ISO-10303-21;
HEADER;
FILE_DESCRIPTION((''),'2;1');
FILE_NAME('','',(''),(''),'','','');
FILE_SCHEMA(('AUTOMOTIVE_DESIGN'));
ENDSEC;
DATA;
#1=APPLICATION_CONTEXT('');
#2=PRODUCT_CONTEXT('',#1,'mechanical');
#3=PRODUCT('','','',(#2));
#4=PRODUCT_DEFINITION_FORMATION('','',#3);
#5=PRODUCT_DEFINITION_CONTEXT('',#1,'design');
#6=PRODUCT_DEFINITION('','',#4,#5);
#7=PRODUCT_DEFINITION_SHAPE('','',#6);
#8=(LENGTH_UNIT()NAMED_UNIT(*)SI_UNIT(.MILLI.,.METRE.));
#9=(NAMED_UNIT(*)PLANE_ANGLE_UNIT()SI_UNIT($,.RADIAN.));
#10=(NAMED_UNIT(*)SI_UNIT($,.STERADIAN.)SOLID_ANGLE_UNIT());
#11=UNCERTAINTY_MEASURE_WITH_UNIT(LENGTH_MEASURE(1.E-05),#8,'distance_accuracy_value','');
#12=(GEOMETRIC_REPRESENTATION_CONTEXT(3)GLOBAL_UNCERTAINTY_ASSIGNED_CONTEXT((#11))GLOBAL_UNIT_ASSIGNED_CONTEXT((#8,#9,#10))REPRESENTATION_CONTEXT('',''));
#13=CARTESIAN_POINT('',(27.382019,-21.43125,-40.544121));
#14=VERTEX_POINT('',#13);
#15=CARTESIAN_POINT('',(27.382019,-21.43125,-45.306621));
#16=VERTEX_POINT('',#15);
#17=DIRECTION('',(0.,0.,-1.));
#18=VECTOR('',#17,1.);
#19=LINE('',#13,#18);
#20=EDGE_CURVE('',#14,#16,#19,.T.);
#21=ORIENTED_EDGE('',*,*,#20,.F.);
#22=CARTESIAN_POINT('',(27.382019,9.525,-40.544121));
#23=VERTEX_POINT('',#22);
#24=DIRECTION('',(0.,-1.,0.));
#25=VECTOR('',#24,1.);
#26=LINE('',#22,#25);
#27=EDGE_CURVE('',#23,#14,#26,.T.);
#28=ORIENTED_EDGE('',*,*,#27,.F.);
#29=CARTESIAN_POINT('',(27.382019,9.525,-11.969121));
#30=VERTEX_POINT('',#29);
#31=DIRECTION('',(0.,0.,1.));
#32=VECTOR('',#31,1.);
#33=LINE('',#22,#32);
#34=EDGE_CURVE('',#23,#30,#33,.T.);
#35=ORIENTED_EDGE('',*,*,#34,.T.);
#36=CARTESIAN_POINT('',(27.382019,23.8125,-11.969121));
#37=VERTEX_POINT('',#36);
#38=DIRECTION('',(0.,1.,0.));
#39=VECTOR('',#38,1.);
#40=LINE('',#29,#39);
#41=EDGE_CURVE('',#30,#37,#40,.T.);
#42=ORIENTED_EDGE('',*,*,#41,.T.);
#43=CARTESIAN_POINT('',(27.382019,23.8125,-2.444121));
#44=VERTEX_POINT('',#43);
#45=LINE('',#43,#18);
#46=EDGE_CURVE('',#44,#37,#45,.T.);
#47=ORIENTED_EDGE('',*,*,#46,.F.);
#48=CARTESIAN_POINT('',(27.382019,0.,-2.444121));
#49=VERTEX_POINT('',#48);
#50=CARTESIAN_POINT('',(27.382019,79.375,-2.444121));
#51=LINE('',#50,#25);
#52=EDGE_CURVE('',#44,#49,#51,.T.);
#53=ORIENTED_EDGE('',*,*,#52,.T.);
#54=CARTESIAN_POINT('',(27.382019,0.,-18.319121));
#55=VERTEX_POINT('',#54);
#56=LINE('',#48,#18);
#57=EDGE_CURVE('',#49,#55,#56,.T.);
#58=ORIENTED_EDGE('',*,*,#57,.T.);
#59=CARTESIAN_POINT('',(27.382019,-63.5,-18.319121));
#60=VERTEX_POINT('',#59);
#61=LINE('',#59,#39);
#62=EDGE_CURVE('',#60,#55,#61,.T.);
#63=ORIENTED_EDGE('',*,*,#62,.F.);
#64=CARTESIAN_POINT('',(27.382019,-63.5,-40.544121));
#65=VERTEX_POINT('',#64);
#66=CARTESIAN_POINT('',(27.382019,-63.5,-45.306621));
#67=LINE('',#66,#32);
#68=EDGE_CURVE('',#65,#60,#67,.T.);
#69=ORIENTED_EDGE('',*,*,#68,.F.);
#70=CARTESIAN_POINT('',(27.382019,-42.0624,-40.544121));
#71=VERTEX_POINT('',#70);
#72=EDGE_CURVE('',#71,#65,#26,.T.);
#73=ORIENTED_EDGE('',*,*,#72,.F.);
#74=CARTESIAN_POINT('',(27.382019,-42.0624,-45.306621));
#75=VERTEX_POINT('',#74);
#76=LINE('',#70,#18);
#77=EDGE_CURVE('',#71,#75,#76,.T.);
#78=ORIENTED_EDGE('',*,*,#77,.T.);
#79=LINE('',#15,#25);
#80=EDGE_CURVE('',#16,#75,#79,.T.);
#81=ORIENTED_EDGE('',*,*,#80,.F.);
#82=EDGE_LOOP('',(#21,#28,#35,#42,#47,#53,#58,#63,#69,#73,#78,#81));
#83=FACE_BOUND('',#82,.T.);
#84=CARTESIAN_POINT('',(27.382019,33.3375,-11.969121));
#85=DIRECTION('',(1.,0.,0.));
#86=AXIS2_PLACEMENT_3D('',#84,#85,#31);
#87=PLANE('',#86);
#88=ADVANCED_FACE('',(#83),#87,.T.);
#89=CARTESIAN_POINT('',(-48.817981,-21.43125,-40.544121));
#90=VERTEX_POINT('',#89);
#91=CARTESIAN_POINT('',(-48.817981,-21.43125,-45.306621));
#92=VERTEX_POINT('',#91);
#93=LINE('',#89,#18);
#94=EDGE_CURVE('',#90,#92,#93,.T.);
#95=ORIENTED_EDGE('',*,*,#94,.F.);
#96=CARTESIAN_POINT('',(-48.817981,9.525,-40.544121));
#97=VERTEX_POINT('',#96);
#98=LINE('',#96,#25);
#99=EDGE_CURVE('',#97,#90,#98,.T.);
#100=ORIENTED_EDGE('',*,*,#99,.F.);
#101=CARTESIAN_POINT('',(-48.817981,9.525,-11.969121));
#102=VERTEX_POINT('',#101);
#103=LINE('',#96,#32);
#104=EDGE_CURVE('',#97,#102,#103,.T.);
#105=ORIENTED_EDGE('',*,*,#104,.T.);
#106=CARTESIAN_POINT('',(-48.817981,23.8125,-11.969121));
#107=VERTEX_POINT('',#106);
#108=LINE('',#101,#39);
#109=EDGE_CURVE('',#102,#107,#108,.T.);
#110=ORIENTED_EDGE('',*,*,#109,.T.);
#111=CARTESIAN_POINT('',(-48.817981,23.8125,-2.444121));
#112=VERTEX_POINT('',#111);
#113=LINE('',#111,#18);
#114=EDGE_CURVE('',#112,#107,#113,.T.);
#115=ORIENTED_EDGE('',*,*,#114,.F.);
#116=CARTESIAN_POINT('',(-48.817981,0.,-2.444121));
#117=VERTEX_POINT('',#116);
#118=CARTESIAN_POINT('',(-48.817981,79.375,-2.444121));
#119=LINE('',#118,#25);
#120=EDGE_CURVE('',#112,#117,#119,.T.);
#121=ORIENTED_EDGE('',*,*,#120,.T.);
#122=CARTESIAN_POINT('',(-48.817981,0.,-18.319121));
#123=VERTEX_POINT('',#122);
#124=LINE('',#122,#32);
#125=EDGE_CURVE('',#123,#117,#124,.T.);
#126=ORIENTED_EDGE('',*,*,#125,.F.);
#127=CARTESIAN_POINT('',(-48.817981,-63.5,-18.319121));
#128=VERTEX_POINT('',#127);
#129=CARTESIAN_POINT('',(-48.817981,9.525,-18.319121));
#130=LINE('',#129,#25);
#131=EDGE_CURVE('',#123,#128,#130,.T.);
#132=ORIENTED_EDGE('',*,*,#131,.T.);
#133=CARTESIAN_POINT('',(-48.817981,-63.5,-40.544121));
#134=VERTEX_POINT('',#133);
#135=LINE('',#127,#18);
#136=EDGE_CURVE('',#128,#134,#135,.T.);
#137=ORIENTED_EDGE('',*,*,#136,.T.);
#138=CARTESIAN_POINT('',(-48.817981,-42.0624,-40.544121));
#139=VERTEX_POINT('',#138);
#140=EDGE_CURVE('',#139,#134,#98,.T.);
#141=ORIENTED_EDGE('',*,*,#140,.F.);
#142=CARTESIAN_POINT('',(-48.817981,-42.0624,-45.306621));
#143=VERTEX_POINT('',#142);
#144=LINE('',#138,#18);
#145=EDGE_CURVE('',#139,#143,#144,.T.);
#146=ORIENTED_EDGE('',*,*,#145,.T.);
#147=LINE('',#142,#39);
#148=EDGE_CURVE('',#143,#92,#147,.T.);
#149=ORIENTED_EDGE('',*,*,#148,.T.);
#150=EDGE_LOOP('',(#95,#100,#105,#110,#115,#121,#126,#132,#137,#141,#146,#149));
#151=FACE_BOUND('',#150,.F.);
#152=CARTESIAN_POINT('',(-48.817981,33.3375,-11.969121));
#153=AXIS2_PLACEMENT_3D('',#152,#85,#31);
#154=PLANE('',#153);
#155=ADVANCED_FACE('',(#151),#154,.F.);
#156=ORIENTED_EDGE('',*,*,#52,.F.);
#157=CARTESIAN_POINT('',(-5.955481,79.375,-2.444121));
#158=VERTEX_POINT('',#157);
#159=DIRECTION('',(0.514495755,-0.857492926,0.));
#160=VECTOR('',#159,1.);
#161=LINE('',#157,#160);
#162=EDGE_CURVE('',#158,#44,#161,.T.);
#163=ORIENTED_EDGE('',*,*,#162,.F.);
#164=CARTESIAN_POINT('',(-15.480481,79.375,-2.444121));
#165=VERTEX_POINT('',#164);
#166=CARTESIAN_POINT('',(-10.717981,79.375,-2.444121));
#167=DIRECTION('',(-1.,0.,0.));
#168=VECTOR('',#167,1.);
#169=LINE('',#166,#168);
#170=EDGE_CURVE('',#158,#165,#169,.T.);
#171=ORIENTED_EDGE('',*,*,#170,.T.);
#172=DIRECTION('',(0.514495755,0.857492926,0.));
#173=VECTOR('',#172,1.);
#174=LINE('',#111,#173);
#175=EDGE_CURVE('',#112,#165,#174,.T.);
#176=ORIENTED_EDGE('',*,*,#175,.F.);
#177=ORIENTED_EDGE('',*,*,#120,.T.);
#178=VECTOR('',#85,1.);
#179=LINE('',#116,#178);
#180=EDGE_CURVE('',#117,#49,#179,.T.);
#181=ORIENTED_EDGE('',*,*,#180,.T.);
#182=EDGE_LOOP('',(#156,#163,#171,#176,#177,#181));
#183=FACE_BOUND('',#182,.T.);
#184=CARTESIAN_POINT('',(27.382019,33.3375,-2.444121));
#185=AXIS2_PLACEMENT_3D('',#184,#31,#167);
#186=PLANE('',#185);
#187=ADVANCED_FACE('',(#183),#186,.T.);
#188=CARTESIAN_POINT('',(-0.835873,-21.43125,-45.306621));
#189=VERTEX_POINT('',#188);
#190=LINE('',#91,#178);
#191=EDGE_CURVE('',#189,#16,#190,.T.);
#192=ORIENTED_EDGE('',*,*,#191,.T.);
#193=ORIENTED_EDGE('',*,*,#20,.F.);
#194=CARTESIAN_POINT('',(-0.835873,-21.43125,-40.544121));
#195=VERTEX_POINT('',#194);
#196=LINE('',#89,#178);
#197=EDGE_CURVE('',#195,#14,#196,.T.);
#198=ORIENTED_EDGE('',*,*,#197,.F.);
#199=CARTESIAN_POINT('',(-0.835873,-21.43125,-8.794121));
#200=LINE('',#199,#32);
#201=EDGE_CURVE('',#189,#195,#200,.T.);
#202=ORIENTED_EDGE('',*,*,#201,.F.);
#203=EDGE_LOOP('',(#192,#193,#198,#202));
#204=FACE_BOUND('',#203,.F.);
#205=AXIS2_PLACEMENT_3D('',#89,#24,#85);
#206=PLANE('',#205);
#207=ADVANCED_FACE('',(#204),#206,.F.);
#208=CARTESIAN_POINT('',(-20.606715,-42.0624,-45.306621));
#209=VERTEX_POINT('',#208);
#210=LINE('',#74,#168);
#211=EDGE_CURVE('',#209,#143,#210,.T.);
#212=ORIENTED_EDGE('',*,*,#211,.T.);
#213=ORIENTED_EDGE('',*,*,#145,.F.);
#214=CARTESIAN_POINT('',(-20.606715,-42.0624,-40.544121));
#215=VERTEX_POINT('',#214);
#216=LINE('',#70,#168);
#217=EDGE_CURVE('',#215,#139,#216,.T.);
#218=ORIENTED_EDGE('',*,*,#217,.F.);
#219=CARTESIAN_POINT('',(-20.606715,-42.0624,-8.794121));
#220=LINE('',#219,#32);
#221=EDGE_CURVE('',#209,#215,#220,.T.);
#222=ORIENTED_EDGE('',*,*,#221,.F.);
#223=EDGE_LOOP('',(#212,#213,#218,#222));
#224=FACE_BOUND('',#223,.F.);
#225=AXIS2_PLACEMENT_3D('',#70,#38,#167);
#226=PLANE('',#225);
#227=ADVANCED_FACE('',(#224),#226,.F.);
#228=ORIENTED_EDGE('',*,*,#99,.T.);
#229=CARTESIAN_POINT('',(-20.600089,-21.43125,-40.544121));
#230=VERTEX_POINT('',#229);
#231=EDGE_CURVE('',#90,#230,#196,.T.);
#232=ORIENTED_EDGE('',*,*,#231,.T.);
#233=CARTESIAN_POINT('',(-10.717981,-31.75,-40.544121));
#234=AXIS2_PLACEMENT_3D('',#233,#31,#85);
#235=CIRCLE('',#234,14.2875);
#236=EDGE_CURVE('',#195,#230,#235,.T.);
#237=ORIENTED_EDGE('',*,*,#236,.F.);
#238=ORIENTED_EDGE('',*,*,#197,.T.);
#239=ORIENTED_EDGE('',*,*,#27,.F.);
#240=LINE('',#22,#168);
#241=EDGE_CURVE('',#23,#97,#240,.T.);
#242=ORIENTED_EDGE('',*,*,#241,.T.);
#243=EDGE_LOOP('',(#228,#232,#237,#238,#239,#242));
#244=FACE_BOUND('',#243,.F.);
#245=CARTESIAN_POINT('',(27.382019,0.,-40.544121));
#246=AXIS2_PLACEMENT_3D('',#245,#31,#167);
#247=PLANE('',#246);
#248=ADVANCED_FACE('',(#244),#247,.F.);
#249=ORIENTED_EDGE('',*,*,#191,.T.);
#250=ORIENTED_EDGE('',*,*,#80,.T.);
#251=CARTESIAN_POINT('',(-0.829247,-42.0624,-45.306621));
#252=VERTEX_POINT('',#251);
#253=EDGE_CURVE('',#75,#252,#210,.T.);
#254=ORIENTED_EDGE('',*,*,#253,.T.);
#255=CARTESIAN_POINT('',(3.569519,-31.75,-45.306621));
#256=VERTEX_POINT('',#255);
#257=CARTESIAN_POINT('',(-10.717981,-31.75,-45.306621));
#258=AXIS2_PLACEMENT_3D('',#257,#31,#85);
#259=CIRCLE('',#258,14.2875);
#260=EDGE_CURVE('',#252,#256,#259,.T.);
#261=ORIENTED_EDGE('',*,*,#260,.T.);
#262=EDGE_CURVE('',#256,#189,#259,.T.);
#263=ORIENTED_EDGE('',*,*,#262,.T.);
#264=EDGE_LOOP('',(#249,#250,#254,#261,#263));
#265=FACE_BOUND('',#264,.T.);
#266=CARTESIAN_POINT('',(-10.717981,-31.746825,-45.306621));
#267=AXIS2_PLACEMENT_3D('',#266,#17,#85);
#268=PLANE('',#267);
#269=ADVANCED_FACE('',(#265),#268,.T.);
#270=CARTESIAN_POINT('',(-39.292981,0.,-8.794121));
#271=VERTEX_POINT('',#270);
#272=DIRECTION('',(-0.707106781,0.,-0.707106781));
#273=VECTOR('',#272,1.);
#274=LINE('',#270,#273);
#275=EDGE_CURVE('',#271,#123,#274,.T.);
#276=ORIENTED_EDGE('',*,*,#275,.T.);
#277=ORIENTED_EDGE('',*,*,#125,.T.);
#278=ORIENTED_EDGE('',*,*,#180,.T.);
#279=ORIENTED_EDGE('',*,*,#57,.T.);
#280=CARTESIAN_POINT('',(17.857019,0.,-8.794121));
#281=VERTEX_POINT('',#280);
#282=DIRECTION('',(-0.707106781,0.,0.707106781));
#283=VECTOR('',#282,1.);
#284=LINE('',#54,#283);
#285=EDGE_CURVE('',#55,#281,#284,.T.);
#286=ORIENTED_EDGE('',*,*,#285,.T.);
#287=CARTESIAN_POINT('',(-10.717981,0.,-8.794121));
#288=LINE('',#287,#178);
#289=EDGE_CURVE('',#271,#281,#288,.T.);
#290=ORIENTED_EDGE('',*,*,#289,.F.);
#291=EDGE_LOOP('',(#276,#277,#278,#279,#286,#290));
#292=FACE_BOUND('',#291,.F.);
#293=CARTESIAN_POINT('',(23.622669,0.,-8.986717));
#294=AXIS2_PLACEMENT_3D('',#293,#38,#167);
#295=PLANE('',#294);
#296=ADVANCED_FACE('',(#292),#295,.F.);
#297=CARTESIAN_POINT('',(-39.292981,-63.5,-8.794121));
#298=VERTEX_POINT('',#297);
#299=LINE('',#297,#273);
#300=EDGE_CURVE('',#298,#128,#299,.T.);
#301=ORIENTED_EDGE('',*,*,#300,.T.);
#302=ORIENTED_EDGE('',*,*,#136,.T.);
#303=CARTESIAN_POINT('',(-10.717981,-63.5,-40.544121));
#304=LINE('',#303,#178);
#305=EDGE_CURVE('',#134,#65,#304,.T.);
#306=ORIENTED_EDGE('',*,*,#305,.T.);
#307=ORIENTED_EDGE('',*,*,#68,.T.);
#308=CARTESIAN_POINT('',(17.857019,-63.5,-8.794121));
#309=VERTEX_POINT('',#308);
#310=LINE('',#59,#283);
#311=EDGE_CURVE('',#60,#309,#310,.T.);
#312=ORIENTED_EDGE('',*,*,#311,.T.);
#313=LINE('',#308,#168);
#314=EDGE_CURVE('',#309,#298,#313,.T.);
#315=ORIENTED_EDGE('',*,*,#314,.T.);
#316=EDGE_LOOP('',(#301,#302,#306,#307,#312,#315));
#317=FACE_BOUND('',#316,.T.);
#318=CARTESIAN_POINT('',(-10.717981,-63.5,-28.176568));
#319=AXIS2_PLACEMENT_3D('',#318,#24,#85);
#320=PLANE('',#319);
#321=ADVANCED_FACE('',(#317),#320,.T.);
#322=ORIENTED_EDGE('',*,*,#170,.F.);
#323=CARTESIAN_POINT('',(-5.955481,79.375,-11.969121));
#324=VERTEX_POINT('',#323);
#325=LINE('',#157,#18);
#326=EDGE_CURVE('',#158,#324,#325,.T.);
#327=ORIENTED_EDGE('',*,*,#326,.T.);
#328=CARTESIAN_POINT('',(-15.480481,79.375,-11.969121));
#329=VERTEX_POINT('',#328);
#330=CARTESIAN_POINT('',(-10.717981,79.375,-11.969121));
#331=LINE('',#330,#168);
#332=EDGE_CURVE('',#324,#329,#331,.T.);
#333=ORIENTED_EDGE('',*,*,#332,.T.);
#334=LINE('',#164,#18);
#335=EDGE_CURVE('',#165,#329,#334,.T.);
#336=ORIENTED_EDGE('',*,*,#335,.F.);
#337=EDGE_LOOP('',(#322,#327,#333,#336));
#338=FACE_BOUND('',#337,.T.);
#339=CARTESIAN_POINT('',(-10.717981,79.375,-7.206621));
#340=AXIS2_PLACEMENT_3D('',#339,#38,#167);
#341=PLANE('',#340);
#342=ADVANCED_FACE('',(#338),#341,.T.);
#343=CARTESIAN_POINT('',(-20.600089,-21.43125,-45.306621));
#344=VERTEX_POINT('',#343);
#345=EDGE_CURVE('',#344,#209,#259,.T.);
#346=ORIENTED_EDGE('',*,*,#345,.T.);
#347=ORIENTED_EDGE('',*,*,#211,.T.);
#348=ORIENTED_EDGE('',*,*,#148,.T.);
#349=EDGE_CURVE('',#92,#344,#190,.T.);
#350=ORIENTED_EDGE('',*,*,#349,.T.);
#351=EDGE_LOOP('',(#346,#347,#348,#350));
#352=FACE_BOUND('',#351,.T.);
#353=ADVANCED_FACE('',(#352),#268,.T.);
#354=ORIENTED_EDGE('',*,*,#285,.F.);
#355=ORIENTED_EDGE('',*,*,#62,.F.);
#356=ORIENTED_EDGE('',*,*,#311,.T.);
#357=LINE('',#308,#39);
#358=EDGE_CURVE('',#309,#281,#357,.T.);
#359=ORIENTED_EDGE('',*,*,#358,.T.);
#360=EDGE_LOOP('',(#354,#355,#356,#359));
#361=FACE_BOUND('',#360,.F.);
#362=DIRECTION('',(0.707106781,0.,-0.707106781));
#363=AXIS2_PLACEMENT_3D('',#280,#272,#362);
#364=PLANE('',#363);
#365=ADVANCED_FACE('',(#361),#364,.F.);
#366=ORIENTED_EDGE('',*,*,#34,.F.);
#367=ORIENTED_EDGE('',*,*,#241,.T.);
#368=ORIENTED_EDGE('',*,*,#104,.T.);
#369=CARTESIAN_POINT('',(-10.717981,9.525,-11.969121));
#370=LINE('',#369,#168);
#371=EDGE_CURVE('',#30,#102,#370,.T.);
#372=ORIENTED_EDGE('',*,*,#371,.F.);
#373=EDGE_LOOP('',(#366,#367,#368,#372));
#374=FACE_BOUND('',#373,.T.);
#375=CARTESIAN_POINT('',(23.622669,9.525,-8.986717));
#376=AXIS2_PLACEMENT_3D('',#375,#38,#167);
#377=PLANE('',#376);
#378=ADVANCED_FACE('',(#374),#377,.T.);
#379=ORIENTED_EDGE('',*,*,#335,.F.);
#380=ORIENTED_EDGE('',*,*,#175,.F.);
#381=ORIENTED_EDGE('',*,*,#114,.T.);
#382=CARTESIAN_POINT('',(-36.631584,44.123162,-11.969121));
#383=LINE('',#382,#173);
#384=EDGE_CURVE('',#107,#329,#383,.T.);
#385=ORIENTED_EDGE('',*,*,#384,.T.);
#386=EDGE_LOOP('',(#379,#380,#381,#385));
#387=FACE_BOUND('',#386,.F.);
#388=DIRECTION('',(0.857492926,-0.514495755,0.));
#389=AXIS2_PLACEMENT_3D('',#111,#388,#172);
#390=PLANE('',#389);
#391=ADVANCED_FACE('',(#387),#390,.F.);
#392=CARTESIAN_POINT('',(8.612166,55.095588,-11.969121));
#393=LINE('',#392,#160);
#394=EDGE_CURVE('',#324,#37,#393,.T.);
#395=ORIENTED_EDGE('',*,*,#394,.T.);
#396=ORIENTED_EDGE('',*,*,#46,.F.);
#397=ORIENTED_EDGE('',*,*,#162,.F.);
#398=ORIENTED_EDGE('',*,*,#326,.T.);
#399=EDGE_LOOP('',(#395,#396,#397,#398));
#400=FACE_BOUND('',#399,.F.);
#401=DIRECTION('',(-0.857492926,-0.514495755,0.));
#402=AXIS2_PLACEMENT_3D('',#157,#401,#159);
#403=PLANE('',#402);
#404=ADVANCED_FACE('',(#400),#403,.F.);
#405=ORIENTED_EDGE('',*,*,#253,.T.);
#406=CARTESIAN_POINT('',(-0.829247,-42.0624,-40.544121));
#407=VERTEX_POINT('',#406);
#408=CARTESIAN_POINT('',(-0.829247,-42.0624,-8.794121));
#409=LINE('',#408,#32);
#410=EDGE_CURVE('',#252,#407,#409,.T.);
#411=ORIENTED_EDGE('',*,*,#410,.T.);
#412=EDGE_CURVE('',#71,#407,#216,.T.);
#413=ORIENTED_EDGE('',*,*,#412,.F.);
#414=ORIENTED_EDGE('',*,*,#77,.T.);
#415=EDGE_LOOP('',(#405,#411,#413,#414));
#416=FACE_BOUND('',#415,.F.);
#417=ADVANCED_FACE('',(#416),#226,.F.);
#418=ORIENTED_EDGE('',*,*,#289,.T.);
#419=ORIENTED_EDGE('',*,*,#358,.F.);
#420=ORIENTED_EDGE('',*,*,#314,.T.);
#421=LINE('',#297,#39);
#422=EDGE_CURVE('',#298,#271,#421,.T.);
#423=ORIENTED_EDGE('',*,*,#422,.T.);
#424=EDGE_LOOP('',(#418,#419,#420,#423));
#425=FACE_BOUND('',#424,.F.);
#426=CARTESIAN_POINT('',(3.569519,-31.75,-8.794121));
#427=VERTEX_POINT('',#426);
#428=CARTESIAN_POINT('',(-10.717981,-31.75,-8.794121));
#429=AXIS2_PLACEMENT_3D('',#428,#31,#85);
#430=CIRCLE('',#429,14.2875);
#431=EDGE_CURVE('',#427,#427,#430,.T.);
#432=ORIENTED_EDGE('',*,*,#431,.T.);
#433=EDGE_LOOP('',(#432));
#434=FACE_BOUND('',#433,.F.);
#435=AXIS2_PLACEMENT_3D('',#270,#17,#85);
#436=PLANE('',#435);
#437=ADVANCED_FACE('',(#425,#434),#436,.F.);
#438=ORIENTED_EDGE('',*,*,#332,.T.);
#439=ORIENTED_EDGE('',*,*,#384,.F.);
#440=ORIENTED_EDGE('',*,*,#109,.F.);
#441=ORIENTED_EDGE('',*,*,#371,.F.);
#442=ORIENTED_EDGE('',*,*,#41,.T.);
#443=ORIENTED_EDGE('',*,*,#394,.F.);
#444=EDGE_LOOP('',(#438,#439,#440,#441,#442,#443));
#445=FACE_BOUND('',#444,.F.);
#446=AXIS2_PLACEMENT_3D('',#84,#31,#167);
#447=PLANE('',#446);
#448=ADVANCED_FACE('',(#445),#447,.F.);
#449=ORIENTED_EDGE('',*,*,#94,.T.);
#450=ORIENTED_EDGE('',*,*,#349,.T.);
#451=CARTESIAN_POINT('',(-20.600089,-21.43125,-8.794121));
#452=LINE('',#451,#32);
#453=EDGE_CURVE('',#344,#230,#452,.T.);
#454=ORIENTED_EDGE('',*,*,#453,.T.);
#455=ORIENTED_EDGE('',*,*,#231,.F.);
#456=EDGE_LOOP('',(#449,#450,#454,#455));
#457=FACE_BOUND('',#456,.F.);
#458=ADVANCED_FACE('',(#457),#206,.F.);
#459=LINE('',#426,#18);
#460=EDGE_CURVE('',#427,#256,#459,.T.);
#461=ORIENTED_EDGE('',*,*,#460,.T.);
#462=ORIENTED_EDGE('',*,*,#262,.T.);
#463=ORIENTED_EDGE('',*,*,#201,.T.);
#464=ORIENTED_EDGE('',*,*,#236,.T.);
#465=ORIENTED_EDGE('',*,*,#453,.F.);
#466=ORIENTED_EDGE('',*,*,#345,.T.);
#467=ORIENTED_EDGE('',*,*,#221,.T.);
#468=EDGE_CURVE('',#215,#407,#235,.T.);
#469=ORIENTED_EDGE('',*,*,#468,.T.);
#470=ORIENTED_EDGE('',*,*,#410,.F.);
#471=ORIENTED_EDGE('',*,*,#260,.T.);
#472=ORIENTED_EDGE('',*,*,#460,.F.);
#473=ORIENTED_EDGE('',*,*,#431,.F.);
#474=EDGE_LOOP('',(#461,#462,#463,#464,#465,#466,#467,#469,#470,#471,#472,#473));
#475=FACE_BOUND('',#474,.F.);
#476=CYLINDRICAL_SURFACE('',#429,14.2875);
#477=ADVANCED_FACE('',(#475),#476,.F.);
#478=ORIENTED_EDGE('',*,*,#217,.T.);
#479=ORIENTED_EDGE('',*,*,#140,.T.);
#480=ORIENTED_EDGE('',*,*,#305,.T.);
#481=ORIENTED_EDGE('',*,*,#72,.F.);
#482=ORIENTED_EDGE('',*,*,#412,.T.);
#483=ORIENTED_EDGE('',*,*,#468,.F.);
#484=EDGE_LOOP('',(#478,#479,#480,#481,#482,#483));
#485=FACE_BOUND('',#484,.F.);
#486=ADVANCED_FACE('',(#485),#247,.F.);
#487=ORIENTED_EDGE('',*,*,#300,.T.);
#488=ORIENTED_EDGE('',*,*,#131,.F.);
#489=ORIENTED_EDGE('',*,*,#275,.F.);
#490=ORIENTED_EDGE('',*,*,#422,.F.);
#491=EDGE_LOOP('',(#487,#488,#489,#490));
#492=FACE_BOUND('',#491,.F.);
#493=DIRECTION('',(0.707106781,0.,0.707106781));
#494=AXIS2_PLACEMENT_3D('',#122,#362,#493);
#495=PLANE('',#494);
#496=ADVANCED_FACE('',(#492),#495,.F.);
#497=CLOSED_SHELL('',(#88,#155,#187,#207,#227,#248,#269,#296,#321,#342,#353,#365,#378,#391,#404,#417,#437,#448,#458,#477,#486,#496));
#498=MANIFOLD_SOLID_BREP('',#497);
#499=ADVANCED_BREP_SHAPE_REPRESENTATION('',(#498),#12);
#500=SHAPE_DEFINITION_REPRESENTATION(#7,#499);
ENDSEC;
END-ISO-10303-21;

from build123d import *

# Parameters (mm, degrees)
F1_DEPTH  = 63.5
F2_W      = 76.2
F2_H      = 4.7625
F3_DEPTH  = 103.378
F5_DEPTH  = 9.525
F6_W      = 57.15
F6_H      = 9.525
F7_DEPTH  = 6.35
F9_DEPTH  = 9.525
F10_W     = 76.2
F10_H     = 9.525
F11_DEPTH = 23.8125
F12_W     = 76.2
F12_H     = 9.525
F13_DEPTH = 46.0375
F15_DEPTH = 25.4
F17_DEPTH = 4.7625
F19_DEPTH = 54.356


with BuildPart() as f1:
    # F0 (on Front) → F1 (new body)
    with BuildSketch(Plane.XZ):
        Polygon((-48.8179810345, -18.3191206306), (-48.8179810345, -45.3066206306), (27.3820189655, -45.3066206306), (27.3820189655, -18.3191206306), (17.8570189655, -8.7941206306), (-39.2929810345, -8.7941206306), align=None)
    extrude(amount=F1_DEPTH)

    # F2 (on face) → F3 (cut)
    with BuildSketch(Plane.XZ.offset(63.5)):
        with Locations((-10.7179810345, -42.9253706306)):
            Rectangle(F2_W, F2_H)
    extrude(amount=-F3_DEPTH, mode=Mode.SUBTRACT)

    # F4 (on face) → F5 (join)
    with BuildSketch(Plane(origin=(0, 0, 0), x_dir=(-1, 0, 0), z_dir=(0, 1, 0))):
        Polygon((48.8179810345, -18.3191206306), (39.2929810345, -8.7941206306), (-17.8570189655, -8.7941206306), (-27.3820189655, -18.3191206306), (-27.3820189655, -40.5441206306), (48.8179810345, -40.5441206306), align=None)
    extrude(amount=F5_DEPTH)

    # F6 (on face) → F7 (join)
    with BuildSketch(Plane.XY.offset(-8.7941206306)):
        with Locations((-10.7179810345, 4.7625)):
            Rectangle(F6_W, F6_H)
    extrude(amount=F7_DEPTH)

    # F8 (on face) → F9 (join)
    with BuildSketch(Plane(origin=(0, 9.525, 0), x_dir=(-1, 0, 0), z_dir=(0, 1, 0))):
        Polygon((-17.8570189655, -8.7941206306), (-17.8570189655, -2.4441206306), (-27.3820189655, -2.4441206306), (-27.3820189655, -18.3191206306), align=None)
        Polygon((48.8179810345, -2.4441206306), (39.2929810345, -2.4441206306), (39.2929810345, -8.7941206306), (48.8179810345, -18.3191206306), align=None)
    extrude(amount=-F9_DEPTH)

    # F10 (on face) → F11 (join)
    with BuildSketch(Plane(origin=(0, 9.525, 0), x_dir=(-1, 0, 0), z_dir=(0, 1, 0))):
        with Locations((10.7179810345, -7.2066206306)):
            Rectangle(F10_W, F10_H)
    extrude(amount=F11_DEPTH)

    # F12 (on face) → F13 (join)
    with BuildSketch(Plane(origin=(0, 33.3375, 0), x_dir=(-1, 0, 0), z_dir=(0, 1, 0))):
        with Locations((10.7179810345, -7.2066206306)):
            Rectangle(F12_W, F12_H)
    extrude(amount=F13_DEPTH)

    # F14 (on face) → F15 (cut)
    with BuildSketch(Plane.XY.offset(-2.4441206306)):
        Polygon((-48.8179810345, 23.8125), (-15.4804810345, 79.375), (-48.8179810345, 79.375), align=None)
        Polygon((27.3820189655, 79.375), (-5.9554810345, 79.375), (27.3820189655, 23.8125), align=None)
    extrude(amount=-F15_DEPTH, mode=Mode.SUBTRACT)

    # F16 (on face) → F17 (join)
    with BuildSketch(Plane(origin=(0, 0, -40.5441206306), x_dir=(1, 0, 0), z_dir=(0, 0, -1))):
        Polygon((27.3820189655, 31.75), (27.3820189655, 42.0624), (-48.8179810345, 42.0624), (-48.8179810345, 21.43125), (27.3820189655, 21.43125), align=None)
    extrude(amount=F17_DEPTH)

    # F18 (on face) → F19 (cut)
    with BuildSketch(Plane.XY.offset(-8.7941206306)):
        with BuildLine():
            ThreePointArc((-10.7179810345, -46.0375), (-0.6151928983, -41.8527881362), (3.5695189655, -31.75))
            ThreePointArc((3.5695189655, -31.75), (-20.8207691707, -21.6472118638), (-10.7179810345, -46.0375))
        make_face()
    extrude(amount=-F19_DEPTH, mode=Mode.SUBTRACT)


solid = f1.part
